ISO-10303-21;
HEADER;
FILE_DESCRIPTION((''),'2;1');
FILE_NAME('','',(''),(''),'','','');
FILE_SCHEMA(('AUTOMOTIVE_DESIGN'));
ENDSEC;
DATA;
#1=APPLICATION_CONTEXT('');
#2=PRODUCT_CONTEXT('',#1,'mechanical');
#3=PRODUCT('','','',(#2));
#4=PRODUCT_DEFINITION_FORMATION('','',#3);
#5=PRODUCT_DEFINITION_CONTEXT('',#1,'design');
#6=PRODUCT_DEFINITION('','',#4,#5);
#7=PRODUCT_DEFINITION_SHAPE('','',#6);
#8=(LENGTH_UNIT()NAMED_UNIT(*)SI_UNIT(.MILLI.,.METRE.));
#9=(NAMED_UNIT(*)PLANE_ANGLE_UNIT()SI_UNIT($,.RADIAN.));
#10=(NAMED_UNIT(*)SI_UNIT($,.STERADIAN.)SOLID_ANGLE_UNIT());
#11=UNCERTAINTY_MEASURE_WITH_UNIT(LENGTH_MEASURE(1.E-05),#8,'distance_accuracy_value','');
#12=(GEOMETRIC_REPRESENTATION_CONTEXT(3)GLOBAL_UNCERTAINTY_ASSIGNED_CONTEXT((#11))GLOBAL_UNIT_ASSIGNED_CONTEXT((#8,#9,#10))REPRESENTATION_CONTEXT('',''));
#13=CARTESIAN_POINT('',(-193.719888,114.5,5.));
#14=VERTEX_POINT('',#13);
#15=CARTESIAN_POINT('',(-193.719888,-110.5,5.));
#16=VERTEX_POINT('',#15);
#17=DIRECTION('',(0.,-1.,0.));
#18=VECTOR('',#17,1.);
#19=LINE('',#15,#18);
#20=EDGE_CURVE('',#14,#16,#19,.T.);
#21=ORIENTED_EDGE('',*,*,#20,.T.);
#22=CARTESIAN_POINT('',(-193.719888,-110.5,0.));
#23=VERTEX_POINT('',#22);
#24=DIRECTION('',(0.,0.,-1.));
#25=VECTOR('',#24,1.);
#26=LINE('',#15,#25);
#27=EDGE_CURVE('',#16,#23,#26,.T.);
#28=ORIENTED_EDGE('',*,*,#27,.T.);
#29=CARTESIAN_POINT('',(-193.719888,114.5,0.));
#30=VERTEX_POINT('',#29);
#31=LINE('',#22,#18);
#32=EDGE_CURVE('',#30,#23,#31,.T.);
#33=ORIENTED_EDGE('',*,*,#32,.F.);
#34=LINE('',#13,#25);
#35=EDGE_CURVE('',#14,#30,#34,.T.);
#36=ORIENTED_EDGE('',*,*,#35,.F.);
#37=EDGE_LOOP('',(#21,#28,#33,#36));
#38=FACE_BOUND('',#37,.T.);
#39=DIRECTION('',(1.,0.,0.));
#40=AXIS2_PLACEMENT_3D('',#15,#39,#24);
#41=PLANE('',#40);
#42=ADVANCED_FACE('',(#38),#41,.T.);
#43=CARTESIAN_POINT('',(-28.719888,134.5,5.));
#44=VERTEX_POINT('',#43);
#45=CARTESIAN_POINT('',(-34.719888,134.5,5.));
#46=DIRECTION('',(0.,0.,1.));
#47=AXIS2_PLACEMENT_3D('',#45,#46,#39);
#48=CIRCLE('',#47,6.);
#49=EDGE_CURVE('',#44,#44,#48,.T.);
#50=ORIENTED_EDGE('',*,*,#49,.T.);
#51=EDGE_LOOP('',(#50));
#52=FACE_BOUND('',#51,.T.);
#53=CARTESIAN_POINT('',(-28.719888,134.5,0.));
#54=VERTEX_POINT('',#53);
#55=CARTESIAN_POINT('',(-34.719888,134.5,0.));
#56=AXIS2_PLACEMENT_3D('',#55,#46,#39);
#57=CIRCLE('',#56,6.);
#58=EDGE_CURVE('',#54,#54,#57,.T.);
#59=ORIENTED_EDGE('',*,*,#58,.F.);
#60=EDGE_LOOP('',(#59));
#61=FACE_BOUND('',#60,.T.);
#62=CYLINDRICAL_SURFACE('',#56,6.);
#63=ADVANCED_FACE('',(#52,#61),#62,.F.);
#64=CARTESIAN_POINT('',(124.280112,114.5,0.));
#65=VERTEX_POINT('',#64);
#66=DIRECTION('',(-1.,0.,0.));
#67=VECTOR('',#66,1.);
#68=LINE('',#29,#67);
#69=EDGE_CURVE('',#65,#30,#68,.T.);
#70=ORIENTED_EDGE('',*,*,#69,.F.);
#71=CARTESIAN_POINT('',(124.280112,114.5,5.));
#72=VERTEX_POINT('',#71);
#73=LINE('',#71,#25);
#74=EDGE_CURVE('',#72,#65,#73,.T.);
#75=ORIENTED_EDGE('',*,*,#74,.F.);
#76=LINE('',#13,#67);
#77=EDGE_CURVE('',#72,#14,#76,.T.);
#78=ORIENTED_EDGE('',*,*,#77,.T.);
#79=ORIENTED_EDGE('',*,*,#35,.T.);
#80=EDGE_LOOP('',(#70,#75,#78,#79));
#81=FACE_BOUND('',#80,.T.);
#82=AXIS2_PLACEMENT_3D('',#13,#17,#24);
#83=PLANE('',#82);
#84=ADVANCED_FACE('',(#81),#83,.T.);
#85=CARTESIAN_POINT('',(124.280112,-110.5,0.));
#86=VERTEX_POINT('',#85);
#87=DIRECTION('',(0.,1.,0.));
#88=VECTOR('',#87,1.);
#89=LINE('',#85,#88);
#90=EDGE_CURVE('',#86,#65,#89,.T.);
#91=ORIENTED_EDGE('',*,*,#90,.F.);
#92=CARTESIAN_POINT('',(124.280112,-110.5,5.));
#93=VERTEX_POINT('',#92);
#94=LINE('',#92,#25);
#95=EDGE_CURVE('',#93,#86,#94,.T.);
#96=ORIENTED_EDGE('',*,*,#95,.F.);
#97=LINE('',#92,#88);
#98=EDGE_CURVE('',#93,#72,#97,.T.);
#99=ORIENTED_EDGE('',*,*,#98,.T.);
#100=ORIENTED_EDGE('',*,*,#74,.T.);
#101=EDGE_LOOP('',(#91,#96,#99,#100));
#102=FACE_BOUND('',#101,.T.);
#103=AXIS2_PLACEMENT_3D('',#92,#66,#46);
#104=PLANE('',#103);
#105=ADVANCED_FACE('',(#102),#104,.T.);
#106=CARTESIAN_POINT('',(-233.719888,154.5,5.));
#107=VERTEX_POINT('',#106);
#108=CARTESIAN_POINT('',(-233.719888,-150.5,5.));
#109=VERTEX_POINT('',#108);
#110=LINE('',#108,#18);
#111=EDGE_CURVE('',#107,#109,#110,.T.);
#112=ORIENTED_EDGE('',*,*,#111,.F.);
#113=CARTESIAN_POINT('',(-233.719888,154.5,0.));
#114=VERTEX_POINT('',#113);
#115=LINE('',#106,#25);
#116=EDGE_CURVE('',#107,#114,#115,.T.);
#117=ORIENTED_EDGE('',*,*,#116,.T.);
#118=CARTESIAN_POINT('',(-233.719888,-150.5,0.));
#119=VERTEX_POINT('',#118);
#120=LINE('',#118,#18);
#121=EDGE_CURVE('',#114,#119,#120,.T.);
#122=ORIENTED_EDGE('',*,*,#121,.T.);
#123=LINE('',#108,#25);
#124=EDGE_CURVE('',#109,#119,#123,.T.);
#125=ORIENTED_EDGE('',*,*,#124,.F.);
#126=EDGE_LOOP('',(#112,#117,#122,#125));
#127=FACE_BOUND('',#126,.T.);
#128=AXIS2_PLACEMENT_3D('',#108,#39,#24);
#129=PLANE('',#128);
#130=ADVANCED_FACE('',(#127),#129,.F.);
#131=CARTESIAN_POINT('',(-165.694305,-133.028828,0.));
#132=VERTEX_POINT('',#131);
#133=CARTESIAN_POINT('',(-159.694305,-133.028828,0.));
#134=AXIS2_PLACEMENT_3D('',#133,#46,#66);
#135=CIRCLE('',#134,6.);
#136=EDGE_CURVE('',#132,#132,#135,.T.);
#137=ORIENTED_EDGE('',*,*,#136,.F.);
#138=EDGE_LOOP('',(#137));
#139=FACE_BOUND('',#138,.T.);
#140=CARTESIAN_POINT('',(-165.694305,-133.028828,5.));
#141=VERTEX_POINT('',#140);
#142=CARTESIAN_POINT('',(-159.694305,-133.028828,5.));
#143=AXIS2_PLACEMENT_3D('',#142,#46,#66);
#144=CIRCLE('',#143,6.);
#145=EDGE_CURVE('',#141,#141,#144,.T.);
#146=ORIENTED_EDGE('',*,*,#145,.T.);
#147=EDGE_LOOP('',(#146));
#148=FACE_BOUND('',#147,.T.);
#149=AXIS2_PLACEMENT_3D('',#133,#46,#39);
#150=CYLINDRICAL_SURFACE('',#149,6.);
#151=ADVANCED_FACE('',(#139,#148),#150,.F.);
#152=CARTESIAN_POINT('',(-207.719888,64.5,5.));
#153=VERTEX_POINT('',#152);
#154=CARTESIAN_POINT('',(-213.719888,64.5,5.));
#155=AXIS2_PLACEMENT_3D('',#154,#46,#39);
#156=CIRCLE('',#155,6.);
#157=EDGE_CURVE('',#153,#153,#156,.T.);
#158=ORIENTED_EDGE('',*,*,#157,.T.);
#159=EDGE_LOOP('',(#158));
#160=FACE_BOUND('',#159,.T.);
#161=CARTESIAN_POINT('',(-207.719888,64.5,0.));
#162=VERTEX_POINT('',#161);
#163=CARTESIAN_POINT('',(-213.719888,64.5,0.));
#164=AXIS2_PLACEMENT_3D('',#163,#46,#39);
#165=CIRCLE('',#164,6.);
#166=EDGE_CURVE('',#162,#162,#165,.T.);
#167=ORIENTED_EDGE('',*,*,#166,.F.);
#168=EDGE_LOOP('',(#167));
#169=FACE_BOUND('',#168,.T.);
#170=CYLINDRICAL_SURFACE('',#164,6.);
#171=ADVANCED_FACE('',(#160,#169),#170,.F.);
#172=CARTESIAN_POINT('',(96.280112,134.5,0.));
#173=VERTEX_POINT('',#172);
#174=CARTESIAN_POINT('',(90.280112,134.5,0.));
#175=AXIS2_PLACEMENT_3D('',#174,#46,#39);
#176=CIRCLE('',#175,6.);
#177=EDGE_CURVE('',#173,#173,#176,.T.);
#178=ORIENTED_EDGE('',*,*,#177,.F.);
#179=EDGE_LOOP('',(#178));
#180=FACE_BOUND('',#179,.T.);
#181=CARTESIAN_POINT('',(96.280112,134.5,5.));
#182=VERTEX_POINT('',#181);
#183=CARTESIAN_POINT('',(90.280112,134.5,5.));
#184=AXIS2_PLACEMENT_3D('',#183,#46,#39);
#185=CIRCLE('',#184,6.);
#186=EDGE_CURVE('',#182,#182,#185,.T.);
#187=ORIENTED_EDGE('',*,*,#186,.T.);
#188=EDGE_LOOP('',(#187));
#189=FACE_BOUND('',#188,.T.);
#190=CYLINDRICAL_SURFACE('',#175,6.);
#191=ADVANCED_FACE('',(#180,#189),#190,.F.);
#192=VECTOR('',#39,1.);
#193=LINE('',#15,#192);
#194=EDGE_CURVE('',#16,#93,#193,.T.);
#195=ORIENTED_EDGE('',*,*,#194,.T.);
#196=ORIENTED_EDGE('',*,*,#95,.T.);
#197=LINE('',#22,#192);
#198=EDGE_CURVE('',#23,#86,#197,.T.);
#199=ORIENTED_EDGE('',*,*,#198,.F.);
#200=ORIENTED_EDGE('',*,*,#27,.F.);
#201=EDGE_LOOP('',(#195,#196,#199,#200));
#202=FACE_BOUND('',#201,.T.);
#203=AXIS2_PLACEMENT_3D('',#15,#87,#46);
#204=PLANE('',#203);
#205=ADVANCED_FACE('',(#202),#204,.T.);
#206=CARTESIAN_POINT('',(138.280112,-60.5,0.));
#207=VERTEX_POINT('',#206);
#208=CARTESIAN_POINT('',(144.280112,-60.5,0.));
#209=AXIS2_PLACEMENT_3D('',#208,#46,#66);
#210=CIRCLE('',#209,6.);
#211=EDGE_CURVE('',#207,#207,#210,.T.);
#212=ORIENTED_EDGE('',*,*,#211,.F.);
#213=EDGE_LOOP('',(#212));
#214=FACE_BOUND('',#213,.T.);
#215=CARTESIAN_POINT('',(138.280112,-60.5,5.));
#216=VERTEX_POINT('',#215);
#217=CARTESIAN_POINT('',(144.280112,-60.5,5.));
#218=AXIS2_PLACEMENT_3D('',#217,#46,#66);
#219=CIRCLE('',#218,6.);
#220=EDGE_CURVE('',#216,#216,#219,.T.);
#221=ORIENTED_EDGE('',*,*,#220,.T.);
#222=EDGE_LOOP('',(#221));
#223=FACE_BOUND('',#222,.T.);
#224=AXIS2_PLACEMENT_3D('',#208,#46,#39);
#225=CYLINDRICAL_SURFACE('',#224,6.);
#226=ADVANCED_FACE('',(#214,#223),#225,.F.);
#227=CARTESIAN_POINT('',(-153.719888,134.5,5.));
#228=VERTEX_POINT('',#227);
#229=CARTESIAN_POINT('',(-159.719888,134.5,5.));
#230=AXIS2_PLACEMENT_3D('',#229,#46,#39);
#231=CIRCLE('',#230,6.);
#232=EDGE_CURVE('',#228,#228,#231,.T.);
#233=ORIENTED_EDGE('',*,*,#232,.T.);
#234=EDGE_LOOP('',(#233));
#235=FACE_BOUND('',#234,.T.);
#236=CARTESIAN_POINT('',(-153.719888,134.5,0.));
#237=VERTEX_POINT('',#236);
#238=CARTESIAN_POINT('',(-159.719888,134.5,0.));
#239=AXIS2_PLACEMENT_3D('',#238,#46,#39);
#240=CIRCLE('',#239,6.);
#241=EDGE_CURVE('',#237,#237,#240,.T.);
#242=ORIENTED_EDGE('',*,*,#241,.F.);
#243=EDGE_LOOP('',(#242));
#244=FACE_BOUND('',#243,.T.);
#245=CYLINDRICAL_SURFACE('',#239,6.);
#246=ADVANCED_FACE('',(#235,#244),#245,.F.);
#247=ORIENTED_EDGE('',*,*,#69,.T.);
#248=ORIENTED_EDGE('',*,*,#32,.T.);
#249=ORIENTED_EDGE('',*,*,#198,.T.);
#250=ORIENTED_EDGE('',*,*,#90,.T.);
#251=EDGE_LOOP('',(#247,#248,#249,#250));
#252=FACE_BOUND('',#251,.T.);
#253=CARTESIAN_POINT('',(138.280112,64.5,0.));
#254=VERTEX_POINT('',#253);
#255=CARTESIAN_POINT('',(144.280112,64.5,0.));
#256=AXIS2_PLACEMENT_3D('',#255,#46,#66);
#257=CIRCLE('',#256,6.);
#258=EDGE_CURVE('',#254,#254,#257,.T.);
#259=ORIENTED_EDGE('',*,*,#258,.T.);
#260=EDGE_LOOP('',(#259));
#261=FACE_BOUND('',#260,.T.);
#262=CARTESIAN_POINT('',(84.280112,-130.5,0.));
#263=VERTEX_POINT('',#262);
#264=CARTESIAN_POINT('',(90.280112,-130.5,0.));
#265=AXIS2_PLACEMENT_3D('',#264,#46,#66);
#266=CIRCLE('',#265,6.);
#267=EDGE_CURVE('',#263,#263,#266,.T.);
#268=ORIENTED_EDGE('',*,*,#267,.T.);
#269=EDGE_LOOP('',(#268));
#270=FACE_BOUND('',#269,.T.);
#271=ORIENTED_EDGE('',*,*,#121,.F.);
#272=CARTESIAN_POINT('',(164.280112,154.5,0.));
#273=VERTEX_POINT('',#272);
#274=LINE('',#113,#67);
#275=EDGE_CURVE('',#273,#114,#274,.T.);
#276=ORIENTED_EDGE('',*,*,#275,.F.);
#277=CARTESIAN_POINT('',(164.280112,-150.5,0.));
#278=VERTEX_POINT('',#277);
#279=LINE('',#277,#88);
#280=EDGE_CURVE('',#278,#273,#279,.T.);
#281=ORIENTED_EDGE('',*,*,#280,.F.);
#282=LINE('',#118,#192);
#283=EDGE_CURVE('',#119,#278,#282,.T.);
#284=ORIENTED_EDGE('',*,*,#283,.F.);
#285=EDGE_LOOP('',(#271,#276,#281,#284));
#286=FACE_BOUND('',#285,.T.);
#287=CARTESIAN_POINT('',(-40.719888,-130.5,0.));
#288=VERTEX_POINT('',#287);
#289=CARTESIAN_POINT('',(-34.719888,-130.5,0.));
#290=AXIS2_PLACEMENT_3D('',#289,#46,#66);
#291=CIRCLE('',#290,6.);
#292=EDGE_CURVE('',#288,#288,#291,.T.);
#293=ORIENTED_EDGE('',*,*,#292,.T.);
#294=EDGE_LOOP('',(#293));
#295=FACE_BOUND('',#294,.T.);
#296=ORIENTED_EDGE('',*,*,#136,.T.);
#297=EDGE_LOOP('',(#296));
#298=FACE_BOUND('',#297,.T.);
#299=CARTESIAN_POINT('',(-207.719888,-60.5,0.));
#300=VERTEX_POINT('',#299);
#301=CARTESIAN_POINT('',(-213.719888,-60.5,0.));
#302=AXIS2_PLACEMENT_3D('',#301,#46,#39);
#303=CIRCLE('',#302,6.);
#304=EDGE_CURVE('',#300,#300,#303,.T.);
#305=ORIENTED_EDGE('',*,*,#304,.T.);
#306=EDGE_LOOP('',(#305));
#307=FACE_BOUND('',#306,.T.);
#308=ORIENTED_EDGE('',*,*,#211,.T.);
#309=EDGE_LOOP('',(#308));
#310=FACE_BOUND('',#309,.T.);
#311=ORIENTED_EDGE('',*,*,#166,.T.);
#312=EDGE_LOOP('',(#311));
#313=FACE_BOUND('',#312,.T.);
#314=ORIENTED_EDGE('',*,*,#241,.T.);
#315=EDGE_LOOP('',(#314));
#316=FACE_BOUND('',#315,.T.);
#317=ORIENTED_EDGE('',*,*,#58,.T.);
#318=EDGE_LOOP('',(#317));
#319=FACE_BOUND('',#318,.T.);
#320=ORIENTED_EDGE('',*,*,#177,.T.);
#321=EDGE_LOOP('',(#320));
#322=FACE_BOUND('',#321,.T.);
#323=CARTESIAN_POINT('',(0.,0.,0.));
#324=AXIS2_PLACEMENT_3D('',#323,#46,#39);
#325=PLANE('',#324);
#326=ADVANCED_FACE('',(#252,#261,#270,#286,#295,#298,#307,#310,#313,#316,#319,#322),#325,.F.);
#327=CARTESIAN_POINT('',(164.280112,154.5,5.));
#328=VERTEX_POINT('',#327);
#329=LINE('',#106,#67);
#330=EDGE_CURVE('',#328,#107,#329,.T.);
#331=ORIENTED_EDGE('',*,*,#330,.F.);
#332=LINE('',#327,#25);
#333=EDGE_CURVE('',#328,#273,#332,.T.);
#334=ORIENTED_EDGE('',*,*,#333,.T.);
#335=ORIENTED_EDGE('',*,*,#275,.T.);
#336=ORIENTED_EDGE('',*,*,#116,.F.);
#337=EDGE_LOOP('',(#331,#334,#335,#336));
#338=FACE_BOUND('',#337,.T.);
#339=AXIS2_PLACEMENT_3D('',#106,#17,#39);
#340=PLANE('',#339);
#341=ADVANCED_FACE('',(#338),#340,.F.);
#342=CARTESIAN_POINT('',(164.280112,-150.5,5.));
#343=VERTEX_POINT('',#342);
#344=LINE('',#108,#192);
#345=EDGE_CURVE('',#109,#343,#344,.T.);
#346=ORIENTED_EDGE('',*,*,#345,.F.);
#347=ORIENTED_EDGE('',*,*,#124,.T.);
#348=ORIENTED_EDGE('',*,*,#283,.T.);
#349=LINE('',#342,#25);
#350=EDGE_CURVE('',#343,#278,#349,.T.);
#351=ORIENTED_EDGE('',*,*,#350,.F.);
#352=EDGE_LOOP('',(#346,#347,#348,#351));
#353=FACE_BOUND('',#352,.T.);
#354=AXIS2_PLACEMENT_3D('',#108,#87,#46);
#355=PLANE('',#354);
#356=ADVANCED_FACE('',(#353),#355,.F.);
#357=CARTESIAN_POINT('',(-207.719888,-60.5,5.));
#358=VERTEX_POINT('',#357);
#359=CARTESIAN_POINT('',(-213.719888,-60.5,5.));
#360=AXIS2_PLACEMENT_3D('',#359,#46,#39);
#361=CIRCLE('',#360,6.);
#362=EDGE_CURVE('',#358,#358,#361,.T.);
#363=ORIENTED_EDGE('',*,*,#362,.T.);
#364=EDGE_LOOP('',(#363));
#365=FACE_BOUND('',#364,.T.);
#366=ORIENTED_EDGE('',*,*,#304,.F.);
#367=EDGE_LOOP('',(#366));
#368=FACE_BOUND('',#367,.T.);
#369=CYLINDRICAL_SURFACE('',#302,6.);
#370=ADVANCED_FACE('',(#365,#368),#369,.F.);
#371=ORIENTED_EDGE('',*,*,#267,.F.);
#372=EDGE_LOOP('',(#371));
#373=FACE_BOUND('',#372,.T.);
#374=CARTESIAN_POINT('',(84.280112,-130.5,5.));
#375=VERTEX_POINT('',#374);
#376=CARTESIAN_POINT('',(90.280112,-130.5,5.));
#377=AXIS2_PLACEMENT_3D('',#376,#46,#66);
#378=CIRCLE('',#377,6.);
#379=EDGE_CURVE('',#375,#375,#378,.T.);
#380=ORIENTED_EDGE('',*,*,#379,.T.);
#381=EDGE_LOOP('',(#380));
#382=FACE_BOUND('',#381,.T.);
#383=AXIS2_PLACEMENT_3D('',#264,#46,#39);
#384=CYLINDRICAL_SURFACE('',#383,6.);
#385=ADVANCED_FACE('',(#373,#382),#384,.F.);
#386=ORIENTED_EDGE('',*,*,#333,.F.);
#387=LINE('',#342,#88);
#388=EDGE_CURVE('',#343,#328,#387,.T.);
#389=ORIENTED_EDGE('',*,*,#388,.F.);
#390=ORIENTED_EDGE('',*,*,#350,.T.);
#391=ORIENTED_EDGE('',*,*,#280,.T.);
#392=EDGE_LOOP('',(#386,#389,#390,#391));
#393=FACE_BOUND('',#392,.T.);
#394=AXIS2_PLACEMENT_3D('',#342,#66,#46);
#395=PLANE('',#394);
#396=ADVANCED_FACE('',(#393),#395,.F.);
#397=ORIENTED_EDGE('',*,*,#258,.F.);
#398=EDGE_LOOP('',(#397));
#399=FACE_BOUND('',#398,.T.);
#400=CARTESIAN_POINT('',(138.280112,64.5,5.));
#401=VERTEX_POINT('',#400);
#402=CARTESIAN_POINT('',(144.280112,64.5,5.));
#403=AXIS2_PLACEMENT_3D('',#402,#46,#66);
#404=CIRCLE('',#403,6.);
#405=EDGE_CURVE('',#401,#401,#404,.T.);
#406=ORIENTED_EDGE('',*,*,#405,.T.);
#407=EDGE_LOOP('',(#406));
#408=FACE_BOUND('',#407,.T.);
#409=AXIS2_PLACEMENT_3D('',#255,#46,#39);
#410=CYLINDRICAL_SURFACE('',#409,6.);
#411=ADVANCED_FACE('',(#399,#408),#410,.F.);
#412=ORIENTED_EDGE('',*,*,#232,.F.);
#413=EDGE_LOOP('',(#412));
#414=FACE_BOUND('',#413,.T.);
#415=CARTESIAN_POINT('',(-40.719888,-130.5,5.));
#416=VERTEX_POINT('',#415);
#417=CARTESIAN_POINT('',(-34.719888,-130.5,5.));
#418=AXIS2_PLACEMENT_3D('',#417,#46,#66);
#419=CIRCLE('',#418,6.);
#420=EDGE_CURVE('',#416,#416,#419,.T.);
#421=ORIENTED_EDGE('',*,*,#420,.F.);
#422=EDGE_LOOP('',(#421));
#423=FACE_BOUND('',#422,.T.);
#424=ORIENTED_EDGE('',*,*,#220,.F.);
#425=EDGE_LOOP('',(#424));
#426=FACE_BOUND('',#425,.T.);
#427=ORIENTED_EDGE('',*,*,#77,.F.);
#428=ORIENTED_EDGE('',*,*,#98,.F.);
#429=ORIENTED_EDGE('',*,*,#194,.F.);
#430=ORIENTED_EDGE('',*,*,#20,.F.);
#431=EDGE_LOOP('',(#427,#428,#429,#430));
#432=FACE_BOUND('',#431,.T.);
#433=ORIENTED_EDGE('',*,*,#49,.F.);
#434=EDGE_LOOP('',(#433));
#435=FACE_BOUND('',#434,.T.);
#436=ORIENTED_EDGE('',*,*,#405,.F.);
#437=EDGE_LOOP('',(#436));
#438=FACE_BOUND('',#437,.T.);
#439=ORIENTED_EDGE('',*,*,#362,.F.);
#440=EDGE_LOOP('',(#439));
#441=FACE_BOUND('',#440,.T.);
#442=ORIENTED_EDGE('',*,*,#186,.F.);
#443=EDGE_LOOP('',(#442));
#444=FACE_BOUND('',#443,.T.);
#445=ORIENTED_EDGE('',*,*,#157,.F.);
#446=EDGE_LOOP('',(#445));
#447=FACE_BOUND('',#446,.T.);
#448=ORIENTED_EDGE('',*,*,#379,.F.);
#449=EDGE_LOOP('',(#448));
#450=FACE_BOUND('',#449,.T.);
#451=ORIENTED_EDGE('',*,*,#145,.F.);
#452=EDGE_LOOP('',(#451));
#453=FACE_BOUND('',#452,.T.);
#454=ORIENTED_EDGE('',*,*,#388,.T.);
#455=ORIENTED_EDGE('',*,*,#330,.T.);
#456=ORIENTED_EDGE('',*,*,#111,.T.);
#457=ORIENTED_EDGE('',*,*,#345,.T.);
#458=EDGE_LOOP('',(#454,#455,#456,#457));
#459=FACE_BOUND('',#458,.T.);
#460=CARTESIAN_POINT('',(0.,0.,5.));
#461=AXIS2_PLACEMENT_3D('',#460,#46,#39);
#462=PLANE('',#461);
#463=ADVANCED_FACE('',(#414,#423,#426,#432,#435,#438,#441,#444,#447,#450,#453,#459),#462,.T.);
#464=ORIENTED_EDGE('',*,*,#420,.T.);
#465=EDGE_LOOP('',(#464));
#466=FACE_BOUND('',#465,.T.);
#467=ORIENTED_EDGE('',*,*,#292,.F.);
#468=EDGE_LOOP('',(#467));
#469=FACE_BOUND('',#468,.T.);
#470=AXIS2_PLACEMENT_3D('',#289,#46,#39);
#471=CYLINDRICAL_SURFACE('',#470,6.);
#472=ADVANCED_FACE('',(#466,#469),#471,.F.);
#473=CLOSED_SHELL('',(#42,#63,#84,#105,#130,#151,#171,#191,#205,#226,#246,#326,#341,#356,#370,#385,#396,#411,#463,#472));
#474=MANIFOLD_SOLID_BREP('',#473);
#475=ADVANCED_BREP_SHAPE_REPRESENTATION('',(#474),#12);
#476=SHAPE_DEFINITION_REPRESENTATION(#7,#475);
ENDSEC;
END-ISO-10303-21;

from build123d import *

# Parameters (mm, degrees)
SKETCH1_W           = 398
SKETCH1_H           = 305
SKETCH1_W_2         = 318
SKETCH1_H_2         = 225
BOSS_EXTRUDE1_DEPTH = 5
SKETCH2_R           = 6
CUT_EXTRUDE1_DEPTH  = 5


with BuildPart() as part:
    # Sketch1 → Boss-Extrude1 (new body)
    with BuildSketch(Plane.XY):
        with Locations((-34.719887955, 2)):
            Rectangle(SKETCH1_W, SKETCH1_H)
        with Locations((-34.719887955, 2)):
            Rectangle(SKETCH1_W_2, SKETCH1_H_2, mode=Mode.SUBTRACT)
    extrude(amount=BOSS_EXTRUDE1_DEPTH)

    # Sketch2 → Cut-Extrude1 (cut)
    with BuildSketch(Plane.XY.offset(5)):
        with Locations((-213.719887955, 64.5)):
            Circle(SKETCH2_R)
        with Locations((-213.719887955, -60.5)):
            Circle(SKETCH2_R)
        with Locations(Location((-159.694305461, -133.028827627, 0), (0, 0, 180))):
            Circle(SKETCH2_R)
        with Locations(Location((-34.719887955, -130.5, 0), (0, 0, 180))):
            Circle(SKETCH2_R)
        with Locations(Location((90.280112045, -130.5, 0), (0, 0, 180))):
            Circle(SKETCH2_R)
        with Locations((90.280112045, 134.5)):
            Circle(SKETCH2_R)
        with Locations((-34.719887955, 134.5)):
            Circle(SKETCH2_R)
        with Locations((-159.719887955, 134.5)):
            Circle(SKETCH2_R)
        with Locations(Location((144.280112045, -60.5, 0), (0, 0, 180))):
            Circle(SKETCH2_R)
        with Locations(Location((144.280112045, 64.5, 0), (0, 0, 180))):
            Circle(SKETCH2_R)
    extrude(amount=-CUT_EXTRUDE1_DEPTH, mode=Mode.SUBTRACT)


solid = part.part
